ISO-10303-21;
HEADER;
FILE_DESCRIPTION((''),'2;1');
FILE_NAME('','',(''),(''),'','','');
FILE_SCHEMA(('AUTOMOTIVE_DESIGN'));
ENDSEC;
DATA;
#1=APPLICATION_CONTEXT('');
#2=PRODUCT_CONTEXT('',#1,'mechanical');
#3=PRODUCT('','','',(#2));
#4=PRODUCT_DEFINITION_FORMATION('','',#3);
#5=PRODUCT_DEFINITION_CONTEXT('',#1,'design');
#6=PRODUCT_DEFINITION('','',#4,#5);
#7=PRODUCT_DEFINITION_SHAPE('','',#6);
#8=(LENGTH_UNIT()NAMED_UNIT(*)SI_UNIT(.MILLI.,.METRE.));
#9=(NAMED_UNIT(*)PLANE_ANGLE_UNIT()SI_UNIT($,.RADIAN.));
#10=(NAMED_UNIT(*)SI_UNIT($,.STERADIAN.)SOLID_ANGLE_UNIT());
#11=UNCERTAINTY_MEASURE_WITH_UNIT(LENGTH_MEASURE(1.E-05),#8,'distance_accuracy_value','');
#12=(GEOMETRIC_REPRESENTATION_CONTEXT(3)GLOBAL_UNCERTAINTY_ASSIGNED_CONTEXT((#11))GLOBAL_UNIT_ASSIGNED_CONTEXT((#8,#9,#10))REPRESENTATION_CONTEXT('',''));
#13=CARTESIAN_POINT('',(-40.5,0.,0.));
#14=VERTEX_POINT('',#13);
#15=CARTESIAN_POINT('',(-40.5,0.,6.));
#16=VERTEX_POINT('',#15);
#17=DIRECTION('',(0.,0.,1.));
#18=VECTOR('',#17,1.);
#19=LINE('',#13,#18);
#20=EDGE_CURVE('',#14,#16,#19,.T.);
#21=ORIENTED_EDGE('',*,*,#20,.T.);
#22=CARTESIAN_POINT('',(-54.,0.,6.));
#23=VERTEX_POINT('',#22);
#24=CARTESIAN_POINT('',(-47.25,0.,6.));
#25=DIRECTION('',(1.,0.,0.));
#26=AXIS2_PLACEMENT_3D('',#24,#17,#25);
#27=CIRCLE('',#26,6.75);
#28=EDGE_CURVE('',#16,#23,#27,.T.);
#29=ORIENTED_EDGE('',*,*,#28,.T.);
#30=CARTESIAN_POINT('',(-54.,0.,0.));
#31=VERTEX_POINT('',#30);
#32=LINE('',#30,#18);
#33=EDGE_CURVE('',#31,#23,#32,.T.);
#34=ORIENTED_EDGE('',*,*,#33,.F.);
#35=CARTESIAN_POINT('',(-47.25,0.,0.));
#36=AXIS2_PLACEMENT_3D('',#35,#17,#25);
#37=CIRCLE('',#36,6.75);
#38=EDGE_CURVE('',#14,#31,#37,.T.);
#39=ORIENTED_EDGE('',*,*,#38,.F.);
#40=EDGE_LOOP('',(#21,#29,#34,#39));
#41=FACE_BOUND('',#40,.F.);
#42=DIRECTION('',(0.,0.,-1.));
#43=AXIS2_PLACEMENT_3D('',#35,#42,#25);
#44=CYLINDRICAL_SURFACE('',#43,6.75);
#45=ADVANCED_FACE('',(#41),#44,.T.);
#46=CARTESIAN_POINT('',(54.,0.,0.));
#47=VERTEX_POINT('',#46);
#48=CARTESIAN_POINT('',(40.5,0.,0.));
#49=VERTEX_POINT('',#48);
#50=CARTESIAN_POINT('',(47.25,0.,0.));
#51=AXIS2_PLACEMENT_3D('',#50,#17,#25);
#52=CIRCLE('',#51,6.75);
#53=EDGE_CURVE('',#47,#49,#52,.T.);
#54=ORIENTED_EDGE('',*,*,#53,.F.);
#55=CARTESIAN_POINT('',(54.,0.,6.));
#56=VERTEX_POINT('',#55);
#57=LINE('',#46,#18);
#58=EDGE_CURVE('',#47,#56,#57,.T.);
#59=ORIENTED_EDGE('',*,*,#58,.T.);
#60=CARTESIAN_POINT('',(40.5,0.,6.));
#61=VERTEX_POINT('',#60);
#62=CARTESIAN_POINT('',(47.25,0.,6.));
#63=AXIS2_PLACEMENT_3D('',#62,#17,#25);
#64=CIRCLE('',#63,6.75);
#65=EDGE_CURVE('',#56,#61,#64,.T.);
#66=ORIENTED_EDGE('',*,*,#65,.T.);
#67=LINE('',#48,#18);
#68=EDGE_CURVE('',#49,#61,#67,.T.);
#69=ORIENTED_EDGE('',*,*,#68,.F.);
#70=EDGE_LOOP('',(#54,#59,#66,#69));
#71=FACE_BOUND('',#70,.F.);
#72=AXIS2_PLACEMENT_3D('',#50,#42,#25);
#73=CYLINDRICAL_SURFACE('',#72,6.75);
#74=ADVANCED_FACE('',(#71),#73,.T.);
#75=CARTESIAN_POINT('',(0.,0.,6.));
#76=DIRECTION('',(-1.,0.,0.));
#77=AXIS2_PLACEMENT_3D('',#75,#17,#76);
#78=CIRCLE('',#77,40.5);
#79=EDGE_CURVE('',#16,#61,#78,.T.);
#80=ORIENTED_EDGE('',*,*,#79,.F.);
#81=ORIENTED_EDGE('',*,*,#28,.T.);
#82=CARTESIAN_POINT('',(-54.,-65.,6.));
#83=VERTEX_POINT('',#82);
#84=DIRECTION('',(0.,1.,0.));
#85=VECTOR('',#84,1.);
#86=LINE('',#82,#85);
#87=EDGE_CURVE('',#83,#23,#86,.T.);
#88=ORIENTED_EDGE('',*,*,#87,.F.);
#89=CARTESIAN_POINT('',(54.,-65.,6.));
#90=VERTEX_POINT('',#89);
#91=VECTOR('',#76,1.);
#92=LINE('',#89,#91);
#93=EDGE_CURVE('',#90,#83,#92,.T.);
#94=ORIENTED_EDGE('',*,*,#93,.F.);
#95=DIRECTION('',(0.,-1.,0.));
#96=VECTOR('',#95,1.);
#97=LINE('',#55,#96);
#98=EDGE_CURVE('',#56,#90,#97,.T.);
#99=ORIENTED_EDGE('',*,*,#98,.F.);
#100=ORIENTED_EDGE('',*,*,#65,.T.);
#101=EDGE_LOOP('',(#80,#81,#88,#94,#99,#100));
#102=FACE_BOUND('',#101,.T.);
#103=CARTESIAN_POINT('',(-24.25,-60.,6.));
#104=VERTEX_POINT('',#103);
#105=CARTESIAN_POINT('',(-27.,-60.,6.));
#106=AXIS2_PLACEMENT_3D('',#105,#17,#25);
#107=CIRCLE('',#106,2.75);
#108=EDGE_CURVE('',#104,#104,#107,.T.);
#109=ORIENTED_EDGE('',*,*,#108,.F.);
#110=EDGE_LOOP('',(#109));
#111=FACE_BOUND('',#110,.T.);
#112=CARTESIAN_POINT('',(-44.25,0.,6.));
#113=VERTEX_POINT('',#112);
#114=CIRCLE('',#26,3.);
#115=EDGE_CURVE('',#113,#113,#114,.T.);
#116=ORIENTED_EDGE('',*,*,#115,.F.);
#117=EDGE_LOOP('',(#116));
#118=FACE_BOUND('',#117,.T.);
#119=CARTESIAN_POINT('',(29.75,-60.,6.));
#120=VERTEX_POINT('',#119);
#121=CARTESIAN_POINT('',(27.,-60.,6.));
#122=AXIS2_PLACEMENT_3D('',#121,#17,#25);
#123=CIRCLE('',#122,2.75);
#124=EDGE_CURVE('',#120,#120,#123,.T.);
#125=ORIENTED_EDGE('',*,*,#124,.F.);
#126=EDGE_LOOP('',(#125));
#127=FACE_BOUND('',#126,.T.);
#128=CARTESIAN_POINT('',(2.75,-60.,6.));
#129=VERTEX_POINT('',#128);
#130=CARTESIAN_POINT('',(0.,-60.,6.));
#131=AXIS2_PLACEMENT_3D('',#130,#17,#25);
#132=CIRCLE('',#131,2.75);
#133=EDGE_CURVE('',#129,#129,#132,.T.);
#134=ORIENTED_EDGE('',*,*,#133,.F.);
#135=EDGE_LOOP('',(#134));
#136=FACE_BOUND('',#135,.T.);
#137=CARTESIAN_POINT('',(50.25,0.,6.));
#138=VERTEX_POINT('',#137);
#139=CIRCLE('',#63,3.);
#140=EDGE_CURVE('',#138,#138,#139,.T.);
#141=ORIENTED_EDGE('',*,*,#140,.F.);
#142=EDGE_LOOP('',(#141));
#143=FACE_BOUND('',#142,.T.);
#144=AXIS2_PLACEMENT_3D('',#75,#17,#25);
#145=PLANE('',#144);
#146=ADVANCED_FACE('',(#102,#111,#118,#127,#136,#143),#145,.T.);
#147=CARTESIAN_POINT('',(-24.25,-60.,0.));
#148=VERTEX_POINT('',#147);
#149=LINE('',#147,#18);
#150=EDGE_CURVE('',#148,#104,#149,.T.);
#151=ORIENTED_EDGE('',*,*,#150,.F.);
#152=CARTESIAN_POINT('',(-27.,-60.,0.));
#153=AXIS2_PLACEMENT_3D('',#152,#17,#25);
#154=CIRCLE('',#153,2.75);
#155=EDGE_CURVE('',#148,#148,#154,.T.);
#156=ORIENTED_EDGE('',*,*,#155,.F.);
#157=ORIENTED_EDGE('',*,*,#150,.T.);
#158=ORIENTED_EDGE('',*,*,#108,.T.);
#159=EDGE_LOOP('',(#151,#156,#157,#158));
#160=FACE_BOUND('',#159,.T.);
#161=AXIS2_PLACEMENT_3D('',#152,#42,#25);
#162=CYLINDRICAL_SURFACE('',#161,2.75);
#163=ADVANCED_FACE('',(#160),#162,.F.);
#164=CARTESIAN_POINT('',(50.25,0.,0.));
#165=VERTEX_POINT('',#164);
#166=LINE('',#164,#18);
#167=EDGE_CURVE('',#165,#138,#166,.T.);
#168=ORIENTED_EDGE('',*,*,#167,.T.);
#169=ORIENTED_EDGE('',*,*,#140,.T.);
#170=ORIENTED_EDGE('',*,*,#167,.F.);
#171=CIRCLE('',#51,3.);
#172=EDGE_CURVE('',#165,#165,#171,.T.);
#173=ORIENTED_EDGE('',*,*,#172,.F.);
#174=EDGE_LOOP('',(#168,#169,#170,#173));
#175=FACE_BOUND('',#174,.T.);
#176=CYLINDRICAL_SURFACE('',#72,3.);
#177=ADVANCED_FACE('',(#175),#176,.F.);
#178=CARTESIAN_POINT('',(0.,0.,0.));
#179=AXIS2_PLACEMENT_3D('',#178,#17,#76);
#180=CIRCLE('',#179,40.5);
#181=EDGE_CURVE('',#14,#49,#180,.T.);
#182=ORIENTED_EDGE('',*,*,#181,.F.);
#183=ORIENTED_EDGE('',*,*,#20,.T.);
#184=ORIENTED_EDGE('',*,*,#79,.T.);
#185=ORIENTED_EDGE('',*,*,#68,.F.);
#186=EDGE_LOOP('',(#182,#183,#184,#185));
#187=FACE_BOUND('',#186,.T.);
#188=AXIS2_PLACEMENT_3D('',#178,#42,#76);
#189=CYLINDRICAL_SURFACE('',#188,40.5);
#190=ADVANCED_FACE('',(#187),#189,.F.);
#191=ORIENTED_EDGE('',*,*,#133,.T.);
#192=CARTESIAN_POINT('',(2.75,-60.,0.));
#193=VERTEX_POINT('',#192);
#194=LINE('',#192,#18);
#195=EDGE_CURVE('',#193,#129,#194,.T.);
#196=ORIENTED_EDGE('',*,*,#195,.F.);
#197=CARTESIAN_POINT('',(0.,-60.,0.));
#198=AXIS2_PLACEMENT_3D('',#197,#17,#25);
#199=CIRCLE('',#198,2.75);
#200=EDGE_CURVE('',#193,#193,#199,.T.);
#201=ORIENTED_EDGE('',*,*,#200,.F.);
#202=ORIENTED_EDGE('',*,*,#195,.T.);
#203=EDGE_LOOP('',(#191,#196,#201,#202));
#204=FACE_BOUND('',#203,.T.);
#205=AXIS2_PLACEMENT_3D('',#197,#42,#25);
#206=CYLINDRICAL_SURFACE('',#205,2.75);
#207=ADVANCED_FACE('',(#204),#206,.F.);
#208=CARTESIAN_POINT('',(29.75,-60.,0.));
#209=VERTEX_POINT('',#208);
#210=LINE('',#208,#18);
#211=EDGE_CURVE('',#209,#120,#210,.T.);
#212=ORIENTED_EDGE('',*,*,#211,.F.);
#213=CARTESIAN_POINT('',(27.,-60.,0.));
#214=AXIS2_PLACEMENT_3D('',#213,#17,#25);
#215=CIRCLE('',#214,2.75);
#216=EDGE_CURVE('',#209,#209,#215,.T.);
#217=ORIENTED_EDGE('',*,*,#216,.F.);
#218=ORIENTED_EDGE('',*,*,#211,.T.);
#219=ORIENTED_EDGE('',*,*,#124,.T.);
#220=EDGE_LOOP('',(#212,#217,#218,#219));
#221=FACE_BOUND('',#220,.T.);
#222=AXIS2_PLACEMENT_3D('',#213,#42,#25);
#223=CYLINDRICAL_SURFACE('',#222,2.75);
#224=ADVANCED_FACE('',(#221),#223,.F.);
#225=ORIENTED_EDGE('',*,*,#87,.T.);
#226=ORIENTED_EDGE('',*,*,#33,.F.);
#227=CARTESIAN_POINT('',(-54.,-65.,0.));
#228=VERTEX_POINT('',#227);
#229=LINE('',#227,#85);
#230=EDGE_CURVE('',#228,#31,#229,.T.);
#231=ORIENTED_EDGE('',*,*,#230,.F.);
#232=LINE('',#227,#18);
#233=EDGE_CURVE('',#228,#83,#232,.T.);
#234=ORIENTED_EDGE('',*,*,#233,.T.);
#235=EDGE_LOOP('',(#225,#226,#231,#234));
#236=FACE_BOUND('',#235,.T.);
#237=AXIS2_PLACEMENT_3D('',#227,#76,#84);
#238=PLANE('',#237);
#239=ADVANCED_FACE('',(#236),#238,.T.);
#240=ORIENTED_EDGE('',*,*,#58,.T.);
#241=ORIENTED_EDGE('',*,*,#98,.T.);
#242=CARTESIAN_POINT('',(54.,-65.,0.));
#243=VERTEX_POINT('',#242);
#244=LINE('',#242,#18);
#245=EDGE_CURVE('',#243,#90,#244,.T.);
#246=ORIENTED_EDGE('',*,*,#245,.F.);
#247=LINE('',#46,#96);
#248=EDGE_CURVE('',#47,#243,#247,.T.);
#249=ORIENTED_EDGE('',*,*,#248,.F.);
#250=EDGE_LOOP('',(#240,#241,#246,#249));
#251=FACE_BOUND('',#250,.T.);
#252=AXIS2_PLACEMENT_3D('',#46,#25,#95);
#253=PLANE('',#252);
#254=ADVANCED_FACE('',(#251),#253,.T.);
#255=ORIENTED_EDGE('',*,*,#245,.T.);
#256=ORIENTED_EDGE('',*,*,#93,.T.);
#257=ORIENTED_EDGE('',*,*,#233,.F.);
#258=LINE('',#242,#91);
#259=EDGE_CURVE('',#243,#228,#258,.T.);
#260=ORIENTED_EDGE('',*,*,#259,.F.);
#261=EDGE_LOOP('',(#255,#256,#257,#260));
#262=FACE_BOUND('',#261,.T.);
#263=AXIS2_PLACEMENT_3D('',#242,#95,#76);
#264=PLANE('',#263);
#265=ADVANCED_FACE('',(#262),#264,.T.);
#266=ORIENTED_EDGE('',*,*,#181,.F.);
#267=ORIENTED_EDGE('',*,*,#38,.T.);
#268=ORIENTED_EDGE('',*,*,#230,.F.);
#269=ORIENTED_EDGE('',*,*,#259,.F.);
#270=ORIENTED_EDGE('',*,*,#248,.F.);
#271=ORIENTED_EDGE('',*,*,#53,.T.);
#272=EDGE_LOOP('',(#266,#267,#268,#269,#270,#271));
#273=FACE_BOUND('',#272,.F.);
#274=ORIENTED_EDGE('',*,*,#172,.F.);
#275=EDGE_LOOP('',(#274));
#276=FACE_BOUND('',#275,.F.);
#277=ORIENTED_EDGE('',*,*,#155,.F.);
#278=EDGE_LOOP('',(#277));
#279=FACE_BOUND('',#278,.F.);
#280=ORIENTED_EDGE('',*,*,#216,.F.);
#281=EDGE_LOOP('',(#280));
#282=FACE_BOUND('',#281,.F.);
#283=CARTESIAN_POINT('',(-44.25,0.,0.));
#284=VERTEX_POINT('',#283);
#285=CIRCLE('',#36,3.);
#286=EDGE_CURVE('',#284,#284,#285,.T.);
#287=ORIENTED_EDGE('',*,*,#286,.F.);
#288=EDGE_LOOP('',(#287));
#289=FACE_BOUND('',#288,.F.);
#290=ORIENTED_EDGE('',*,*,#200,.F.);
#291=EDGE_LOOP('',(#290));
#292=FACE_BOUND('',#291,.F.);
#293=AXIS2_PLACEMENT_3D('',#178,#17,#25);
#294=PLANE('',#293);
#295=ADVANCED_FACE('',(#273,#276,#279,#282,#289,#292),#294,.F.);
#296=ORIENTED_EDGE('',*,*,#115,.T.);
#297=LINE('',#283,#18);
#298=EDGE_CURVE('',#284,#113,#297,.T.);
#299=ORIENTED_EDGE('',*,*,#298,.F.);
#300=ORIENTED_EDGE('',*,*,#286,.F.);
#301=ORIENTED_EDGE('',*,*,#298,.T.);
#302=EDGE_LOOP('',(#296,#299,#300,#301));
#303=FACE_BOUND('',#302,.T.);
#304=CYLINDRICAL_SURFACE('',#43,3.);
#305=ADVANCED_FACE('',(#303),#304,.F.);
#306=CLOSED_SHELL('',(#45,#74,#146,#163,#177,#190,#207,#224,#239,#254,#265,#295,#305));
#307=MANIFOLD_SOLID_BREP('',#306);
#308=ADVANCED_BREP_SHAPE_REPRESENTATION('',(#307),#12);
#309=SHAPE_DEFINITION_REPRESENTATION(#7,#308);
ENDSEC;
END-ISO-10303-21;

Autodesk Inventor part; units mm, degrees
ref_plane "YZ Plane" through (0, 0, 0) normal (1, 0, 0) x (0, 1, 0)
ref_plane "XZ Plane" through (0, 0, 0) normal (0, 1, 0) x (-1, 0, 0)
ref_plane "XY Plane" through (0, 0, 0) normal (0, 0, 1) x (1, 0, 0)
sketch "Sketch1" plane through (0, 0, 0) normal (0, 0, 1) x (1, 0, 0)
  line L0 (-75.6, 0) -> (75.6, 0) construction
  line L1 (0, 21.1) -> (0, -79.35) construction
  line L2 (54, 0) -> (54, -65)
  line L3 (54, -65) -> (-54, -65)
  line L4 (-54, -65) -> (-54, 0)
  circle A0 centre (47.25, 0) radius 3
  circle A1 centre (-47.25, 0) radius 3
  arc A2 (-40.5, 0) -> (-54, 0) centre (-47.25, 0) ccw
  arc A3 (54, 0) -> (40.5, 0) centre (47.25, 0) ccw
  arc A4 (-40.5, 0) -> (40.5, 0) centre (0, 0) ccw
  line L5 (-54, -60) -> (54, -60) construction
  circle A5 centre (0, -60) radius 2.75
  circle A6 centre (-27, -60) radius 2.75
  circle A7 centre (27, -60) radius 2.75
  dimension "d0" = 108
  dimension "d2" = 6
  dimension "d3" = 6
  dimension "d6" = 94.5
  dimension "d9" = 65
  dimension "d21" = 5
  dimension "d23" = 5.5
  dimension "d24" = 5.5
  dimension "d25" = 5.5
  dimension "d26" = 54
extrude "Extrusion2" add sketch "Sketch1" along normal blind 6
properties part number "motor_end_plate" material "Aluminum 6061"
